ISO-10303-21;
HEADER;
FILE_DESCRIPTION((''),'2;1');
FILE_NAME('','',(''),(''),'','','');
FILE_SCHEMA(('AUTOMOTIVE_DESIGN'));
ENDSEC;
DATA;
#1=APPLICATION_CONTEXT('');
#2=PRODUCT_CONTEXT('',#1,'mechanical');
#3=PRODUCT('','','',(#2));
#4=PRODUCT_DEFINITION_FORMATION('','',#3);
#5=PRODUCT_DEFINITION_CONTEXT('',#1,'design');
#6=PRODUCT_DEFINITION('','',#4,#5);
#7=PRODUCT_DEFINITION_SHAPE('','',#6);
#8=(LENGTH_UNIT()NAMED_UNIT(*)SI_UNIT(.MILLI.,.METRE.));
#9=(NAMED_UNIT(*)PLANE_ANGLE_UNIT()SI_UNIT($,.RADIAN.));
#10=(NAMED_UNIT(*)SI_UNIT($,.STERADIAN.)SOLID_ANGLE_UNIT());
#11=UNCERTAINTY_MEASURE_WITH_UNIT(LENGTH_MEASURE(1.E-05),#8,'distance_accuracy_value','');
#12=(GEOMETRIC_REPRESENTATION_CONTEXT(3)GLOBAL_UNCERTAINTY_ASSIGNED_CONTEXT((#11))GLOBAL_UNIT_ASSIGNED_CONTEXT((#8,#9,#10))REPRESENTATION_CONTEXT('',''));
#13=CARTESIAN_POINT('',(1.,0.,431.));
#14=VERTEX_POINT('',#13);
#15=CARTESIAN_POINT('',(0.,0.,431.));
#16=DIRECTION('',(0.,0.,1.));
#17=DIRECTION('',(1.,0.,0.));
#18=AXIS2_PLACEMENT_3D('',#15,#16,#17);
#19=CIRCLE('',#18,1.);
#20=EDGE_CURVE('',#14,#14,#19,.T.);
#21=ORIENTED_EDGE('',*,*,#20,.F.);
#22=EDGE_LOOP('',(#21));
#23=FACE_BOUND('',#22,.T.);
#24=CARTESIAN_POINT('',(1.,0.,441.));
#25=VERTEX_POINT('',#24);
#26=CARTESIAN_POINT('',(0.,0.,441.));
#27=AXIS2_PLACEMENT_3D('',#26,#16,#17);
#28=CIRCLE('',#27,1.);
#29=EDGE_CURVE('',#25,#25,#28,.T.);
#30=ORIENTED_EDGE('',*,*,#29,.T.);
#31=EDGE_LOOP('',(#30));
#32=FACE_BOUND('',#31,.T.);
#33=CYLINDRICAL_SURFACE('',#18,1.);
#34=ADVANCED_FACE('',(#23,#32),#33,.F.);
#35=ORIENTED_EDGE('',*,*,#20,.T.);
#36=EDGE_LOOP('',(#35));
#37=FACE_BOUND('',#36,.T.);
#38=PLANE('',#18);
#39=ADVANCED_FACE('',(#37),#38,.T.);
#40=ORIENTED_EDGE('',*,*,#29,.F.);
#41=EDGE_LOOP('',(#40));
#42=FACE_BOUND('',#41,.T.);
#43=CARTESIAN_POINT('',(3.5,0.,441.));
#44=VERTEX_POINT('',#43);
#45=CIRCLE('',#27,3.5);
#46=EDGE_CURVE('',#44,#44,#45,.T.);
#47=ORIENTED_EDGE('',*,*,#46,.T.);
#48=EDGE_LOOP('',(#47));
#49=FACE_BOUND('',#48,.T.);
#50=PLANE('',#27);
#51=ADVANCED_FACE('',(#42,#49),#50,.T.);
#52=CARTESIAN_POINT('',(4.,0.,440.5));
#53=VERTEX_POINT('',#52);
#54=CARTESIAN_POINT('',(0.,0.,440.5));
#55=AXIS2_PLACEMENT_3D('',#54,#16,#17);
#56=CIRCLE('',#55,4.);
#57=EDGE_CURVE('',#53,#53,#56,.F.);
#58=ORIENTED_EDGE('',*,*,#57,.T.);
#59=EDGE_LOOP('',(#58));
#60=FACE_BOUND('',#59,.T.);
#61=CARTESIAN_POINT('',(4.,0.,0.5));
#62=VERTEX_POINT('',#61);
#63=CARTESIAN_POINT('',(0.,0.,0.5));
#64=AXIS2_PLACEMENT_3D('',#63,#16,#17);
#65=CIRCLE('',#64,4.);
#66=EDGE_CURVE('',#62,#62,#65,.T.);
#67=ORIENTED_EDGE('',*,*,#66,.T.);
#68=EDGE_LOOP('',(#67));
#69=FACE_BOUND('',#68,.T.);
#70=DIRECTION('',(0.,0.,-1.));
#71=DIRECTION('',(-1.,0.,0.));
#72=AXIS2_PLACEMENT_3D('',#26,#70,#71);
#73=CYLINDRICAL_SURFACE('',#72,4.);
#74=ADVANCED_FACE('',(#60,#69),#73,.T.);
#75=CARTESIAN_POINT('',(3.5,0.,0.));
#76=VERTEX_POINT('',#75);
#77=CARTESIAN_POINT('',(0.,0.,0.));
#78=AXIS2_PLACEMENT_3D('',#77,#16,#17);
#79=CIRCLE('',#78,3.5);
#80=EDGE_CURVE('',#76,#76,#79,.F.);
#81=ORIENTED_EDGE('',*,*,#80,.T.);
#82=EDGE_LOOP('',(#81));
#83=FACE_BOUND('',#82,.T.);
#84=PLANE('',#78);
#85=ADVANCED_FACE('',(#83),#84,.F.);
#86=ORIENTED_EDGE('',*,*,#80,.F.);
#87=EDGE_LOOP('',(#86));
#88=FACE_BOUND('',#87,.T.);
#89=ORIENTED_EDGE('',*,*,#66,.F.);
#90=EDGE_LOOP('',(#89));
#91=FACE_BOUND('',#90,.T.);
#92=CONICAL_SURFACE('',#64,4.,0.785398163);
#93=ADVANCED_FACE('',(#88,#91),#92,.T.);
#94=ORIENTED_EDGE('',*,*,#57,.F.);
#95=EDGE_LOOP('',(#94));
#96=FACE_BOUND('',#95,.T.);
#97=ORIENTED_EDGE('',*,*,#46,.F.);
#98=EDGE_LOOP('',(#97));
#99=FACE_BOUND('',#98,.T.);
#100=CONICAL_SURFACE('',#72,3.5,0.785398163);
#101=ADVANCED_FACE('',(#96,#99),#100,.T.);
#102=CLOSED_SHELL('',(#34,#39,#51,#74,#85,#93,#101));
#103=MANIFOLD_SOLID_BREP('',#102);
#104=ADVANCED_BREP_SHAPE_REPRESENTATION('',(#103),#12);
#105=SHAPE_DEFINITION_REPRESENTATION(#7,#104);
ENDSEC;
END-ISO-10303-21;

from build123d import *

# Parameters (mm, degrees)
SKETCH1_R           = 4
BOSS_EXTRUDE1_DEPTH = 441
SKETCH2_R           = 1
CUT_EXTRUDE1_DEPTH  = 10
CHAMFER1_SIZE       = 0.5


with BuildPart() as part:
    # Sketch1 → Boss-Extrude1 (new body)
    with BuildSketch(Plane.XY):
        Circle(SKETCH1_R)
    extrude(amount=BOSS_EXTRUDE1_DEPTH)

    # Sketch2 → Cut-Extrude1 (cut)
    with BuildSketch(Plane.XY.offset(441)):
        Circle(SKETCH2_R)
    extrude(amount=-CUT_EXTRUDE1_DEPTH, mode=Mode.SUBTRACT)

    # Chamfer1
    chamfer1_edges = [part.edges().sort_by_distance(p)[0] for p in [
        (-4, 0, 0),
        (-4, 0, 441),
    ]]
    chamfer(chamfer1_edges, length=CHAMFER1_SIZE)


solid = part.part
